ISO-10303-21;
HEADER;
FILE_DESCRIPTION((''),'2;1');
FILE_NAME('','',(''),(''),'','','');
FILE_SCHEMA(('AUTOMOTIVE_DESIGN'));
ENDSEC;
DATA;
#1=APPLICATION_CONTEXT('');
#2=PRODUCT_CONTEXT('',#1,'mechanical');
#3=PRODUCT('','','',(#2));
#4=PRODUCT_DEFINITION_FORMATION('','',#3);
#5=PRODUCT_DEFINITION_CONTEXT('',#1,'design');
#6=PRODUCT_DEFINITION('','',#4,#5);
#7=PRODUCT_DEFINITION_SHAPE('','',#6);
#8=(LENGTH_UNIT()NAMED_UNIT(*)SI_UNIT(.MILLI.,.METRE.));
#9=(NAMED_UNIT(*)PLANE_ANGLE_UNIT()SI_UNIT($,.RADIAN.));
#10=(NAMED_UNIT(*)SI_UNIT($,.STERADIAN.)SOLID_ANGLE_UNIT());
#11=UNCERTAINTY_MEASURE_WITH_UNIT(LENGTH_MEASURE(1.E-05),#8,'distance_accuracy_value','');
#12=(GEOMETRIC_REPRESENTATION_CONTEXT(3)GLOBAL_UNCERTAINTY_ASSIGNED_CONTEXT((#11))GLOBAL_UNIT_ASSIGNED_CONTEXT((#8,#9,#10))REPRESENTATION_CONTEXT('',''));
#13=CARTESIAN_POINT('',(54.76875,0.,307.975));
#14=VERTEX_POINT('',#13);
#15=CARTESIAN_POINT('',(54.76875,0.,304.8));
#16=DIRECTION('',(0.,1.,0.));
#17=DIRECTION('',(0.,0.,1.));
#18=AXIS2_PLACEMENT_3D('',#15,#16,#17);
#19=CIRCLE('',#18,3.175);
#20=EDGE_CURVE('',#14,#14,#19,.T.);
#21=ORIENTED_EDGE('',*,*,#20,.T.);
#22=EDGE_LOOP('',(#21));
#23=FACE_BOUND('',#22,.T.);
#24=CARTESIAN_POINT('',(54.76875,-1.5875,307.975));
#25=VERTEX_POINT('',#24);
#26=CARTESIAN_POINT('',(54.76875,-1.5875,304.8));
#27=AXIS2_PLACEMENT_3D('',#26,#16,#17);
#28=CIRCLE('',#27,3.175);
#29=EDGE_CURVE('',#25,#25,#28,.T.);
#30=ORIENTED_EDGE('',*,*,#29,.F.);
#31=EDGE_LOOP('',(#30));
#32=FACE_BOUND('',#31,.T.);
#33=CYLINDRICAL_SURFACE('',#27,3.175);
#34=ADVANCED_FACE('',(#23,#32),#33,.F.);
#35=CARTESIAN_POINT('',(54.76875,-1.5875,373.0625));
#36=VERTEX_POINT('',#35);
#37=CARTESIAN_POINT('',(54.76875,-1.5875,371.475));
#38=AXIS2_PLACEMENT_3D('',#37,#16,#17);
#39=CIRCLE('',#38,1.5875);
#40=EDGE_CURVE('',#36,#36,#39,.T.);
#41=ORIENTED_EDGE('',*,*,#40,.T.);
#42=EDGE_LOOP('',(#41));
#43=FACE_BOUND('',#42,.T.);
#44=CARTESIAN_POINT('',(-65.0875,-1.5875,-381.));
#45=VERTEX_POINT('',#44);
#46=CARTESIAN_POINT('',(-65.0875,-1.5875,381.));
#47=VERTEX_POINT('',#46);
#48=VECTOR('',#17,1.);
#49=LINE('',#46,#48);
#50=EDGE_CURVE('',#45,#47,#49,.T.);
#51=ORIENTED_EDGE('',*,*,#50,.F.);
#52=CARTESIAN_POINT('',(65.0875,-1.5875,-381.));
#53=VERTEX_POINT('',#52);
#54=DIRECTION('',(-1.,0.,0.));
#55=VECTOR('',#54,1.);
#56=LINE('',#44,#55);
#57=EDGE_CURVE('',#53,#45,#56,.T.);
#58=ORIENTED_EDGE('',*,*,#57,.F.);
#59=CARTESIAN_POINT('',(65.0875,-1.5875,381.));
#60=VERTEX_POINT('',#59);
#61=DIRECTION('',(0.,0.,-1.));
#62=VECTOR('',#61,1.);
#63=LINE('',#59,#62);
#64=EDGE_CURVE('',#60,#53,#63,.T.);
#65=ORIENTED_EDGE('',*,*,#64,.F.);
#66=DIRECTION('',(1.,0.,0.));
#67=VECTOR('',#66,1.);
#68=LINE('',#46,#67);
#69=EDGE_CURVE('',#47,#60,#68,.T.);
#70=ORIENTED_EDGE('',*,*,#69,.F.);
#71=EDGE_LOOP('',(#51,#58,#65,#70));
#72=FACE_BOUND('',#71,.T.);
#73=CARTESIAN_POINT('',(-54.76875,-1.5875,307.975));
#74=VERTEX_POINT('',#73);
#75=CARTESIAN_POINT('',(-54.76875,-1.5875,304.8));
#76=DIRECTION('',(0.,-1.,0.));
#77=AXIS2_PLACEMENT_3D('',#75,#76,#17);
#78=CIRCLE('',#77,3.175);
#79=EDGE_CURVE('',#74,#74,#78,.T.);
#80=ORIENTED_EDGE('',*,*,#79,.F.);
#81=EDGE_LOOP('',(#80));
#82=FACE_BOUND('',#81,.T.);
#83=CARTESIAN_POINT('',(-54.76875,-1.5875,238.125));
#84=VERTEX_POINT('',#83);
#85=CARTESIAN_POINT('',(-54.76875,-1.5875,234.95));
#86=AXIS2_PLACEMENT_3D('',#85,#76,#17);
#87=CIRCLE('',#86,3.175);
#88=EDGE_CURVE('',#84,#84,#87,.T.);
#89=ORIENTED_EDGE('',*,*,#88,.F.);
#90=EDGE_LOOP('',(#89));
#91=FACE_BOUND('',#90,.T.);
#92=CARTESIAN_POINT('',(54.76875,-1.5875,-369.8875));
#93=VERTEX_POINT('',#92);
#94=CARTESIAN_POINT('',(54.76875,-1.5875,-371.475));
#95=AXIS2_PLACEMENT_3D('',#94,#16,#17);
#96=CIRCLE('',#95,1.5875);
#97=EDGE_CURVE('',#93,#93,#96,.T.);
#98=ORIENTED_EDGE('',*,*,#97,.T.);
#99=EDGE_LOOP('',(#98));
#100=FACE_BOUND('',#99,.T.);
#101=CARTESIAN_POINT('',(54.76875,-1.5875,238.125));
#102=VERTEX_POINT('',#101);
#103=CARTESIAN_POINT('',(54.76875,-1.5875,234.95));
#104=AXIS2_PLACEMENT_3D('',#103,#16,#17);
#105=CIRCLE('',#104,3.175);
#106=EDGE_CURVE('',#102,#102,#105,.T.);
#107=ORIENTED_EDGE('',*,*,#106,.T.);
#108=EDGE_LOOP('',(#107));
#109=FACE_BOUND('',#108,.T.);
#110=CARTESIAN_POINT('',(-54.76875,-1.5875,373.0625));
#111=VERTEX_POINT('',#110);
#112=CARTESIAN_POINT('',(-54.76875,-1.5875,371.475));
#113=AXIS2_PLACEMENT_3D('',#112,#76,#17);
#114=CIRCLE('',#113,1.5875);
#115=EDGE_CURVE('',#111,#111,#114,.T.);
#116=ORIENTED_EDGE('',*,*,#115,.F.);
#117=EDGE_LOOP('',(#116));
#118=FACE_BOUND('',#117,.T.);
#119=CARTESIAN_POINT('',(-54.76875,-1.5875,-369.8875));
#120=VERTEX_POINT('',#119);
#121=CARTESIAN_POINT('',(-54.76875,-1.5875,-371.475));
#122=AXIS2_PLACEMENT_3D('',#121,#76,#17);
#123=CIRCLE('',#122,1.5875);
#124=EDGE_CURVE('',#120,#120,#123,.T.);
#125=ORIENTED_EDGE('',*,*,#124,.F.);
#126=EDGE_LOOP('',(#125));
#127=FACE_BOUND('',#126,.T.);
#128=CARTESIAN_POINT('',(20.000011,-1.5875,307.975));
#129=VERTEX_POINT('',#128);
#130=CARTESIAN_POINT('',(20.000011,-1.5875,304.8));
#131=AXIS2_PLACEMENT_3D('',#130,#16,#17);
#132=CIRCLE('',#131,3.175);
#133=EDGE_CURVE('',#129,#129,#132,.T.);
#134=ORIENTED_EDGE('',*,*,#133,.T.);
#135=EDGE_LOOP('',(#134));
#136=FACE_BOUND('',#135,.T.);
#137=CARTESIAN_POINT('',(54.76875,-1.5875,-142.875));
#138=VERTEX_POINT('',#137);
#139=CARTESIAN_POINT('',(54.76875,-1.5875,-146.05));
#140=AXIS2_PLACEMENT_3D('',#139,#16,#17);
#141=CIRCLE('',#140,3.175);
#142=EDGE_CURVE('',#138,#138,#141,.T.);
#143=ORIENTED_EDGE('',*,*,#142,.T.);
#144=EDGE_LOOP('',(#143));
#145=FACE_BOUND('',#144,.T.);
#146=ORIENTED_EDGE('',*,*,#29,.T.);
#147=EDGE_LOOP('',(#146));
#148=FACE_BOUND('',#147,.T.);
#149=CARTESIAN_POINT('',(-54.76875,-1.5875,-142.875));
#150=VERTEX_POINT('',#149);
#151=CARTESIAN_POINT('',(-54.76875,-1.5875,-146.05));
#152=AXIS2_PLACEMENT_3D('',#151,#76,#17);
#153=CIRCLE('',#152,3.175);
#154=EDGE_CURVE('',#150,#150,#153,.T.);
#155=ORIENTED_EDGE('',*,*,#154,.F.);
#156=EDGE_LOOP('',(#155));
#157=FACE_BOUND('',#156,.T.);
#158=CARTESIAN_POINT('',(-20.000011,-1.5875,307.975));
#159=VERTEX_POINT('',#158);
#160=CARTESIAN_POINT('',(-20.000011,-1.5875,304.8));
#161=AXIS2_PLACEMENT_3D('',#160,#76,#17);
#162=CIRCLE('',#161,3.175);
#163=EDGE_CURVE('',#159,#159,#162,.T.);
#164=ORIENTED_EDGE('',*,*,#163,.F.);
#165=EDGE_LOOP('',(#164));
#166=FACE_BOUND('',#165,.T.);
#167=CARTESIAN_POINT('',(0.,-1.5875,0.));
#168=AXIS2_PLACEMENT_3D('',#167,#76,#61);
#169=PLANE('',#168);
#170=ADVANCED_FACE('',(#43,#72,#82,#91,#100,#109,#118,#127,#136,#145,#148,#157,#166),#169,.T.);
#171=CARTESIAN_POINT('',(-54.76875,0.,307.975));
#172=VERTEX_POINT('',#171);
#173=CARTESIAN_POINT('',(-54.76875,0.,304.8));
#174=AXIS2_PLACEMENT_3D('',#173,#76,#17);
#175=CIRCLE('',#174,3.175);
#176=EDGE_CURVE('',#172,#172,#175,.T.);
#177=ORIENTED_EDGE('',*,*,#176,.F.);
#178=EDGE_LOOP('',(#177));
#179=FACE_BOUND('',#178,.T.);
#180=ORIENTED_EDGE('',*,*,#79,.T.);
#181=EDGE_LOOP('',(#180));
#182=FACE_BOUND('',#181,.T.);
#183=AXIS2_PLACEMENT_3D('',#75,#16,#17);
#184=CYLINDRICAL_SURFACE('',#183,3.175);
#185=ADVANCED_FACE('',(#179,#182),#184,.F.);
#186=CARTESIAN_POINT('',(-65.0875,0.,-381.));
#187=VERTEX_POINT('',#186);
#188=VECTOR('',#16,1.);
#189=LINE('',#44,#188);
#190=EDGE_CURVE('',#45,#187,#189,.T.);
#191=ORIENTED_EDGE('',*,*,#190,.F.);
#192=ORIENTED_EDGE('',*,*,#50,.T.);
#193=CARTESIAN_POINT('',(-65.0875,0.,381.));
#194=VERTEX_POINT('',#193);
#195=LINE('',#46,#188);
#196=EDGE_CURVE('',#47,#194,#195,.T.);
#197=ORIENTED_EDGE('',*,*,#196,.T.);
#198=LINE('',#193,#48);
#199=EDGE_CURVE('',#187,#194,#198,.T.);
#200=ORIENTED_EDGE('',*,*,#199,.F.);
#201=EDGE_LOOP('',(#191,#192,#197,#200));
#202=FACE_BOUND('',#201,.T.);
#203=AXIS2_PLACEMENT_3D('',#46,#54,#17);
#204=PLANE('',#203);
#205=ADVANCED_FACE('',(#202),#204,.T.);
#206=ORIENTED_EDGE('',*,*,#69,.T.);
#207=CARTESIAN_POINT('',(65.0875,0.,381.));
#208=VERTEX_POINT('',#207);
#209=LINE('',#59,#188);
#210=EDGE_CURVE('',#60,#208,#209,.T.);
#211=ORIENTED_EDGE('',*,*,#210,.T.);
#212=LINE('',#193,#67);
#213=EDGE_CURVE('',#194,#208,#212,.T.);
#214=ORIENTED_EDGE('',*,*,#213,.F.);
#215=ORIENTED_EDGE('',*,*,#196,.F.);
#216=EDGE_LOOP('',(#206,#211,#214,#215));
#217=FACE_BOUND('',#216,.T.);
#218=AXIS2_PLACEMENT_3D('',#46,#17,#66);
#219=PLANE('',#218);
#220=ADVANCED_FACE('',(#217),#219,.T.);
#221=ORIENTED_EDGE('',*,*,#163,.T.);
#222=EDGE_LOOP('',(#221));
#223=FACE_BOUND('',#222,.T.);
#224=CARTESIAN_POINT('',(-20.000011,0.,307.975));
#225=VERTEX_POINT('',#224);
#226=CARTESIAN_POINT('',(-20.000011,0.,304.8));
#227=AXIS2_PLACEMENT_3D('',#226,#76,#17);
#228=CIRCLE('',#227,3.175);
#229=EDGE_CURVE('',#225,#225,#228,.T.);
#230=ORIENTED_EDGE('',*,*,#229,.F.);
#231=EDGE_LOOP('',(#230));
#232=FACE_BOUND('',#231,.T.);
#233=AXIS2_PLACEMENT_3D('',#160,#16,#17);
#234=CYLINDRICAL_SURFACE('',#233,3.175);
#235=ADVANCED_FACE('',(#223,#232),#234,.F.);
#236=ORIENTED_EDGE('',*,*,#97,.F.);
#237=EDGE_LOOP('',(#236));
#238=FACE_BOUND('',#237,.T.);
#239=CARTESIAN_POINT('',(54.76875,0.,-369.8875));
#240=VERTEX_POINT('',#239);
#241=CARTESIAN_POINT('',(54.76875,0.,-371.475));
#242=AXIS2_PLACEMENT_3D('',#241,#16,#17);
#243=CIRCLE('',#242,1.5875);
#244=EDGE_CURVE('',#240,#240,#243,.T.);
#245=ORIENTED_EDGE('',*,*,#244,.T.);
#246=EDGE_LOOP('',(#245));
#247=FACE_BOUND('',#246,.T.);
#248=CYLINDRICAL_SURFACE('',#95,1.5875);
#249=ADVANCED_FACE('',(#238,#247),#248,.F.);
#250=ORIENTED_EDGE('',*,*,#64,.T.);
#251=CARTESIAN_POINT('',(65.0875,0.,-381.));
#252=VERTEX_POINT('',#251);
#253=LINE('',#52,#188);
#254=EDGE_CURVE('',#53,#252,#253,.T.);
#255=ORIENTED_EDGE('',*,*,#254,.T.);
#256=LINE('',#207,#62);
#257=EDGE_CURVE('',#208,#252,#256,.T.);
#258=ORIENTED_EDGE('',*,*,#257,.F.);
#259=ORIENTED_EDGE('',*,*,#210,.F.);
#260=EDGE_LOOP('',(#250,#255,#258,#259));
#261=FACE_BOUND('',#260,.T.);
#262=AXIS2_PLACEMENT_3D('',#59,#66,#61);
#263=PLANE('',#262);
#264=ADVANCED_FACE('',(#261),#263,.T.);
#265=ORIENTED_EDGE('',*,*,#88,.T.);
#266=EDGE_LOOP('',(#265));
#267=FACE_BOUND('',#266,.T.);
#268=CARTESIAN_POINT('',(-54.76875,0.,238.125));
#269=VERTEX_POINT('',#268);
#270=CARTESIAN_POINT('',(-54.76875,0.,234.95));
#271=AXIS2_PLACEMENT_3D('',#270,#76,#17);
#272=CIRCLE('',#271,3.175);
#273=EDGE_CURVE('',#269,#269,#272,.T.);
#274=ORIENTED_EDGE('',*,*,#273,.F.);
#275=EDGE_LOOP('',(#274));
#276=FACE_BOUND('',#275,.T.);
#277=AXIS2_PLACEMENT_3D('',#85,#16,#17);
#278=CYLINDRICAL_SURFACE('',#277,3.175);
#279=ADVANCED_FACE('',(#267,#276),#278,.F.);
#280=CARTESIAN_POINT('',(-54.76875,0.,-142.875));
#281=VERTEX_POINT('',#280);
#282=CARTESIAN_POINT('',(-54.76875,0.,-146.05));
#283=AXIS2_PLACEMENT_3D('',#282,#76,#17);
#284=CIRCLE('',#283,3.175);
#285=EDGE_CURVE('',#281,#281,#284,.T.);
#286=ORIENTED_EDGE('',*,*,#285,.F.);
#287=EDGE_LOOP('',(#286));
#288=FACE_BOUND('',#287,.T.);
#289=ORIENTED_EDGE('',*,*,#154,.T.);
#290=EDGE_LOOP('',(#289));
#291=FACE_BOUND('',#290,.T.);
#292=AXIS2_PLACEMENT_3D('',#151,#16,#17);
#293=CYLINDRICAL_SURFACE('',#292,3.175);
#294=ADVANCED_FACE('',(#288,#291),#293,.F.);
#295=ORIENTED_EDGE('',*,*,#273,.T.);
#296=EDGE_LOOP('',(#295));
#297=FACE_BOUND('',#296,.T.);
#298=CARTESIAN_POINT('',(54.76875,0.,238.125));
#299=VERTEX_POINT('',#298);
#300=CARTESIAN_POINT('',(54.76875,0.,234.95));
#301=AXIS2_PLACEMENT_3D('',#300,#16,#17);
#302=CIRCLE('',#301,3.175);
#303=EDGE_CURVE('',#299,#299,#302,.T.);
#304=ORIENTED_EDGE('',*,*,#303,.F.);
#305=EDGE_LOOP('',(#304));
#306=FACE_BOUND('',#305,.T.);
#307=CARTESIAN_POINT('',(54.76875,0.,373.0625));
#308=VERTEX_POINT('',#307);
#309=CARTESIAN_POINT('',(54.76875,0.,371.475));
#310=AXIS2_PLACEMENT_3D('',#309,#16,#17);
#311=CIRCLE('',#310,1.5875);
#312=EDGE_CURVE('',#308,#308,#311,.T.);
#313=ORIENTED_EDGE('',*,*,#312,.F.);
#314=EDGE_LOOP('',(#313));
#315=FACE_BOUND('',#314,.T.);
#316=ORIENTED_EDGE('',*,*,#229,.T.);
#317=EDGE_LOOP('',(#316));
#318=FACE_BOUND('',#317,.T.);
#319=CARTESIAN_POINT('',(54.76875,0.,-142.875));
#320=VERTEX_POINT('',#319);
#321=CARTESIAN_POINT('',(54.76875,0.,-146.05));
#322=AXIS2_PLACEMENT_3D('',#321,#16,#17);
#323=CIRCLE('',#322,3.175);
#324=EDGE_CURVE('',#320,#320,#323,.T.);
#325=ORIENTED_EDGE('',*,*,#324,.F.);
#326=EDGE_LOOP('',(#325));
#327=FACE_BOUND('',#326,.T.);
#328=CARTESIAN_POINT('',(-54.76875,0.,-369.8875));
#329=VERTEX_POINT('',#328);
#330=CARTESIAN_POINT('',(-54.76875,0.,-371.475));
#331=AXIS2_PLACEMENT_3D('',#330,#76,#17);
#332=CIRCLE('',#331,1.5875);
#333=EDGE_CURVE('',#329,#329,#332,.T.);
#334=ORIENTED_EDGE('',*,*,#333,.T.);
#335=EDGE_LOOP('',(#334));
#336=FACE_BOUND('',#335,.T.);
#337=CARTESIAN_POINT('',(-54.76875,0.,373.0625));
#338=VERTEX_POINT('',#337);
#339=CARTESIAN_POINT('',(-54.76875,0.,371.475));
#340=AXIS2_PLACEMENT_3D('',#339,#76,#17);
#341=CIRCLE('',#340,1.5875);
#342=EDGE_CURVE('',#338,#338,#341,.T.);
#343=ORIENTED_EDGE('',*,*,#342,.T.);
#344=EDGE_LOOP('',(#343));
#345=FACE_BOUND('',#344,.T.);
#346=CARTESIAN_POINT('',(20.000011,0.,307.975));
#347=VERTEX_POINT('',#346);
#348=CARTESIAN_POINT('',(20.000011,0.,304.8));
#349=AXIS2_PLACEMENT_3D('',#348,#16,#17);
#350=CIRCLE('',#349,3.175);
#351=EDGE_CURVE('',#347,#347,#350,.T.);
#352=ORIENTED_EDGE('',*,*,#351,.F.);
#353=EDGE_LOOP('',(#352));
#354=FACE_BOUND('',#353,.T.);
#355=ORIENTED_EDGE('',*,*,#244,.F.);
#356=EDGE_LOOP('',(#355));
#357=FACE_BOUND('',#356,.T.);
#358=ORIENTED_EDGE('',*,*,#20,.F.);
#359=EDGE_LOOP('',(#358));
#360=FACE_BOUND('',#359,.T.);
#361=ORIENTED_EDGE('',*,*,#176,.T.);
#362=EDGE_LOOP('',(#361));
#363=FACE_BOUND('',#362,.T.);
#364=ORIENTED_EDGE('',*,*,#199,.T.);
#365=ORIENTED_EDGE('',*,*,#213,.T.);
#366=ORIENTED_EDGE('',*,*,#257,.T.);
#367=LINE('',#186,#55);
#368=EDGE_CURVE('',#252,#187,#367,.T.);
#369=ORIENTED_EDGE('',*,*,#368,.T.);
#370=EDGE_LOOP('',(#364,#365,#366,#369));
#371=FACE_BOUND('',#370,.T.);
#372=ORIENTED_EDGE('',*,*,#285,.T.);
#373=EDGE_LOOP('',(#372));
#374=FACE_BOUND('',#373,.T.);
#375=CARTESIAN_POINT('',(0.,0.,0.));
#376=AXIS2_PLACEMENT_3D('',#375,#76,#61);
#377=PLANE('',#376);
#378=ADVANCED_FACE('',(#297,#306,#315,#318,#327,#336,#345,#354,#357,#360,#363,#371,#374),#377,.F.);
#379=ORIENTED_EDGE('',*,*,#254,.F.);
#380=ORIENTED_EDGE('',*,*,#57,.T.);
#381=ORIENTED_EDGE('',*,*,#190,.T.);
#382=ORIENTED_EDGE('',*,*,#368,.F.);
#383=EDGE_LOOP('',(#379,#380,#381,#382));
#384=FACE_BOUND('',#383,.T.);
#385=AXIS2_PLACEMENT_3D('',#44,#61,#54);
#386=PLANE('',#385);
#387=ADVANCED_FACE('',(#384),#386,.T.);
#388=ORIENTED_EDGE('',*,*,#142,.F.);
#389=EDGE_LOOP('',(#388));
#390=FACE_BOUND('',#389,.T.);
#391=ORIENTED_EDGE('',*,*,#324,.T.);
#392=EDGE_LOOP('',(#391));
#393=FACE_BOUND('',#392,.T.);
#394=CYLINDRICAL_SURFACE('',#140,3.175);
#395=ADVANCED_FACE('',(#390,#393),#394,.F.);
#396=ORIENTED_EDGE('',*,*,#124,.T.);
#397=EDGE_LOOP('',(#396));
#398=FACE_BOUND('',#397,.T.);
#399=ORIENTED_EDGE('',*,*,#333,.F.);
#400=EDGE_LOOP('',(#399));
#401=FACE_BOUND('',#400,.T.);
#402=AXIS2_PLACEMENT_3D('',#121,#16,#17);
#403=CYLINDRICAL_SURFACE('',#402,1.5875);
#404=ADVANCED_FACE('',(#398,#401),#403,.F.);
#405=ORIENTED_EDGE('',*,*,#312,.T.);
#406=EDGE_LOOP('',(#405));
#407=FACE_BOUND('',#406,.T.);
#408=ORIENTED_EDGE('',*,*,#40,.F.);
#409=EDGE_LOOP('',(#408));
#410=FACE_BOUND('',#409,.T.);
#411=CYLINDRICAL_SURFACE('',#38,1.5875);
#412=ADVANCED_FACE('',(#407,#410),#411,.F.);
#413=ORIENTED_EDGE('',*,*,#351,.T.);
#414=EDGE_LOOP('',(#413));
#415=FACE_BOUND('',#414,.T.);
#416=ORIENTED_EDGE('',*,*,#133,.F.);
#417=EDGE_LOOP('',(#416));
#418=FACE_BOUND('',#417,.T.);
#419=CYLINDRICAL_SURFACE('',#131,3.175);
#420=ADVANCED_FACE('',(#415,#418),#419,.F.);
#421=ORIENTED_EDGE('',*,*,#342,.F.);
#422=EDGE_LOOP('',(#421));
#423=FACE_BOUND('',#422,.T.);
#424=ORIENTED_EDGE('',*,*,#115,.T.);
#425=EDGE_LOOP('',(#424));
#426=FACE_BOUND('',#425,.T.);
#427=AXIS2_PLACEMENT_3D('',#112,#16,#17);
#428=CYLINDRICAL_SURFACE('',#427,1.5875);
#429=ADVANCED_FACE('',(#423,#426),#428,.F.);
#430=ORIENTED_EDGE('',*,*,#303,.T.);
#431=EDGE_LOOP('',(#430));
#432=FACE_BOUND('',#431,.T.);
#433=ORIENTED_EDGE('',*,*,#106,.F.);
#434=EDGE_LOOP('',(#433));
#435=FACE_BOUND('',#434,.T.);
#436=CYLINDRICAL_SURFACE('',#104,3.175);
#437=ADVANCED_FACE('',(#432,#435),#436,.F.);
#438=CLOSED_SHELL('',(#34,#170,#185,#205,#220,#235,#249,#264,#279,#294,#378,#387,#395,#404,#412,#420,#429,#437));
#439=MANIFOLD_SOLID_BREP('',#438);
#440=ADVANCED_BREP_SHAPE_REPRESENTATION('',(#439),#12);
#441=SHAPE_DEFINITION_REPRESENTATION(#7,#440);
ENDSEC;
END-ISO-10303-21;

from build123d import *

# Parameters (mm, degrees)
SKETCH1_W           = 130.175
SKETCH1_H           = 762
BOSS_EXTRUDE1_DEPTH = 1.5875
SKETCH2_R           = 1.5875
SKETCH2_R_2         = 3.175
CUT_EXTRUDE2_DEPTH  = 387.522836082


with BuildPart() as part:
    # Sketch1 → Boss-Extrude1 (new body)
    with BuildSketch(Plane(origin=(0, 0, 0), x_dir=(1, 0, 0), z_dir=(0, 1, 0))):
        Rectangle(SKETCH1_W, SKETCH1_H)
    extrude(amount=-BOSS_EXTRUDE1_DEPTH)

    # Sketch2 → Cut-Extrude2 (cut, through all)
    with BuildSketch(Plane(origin=(0, 0, 0), x_dir=(1, 0, 0), z_dir=(0, 1, 0))):
        with Locations(Location((54.76875, -371.475, 0), (0, 0, 270))):
            Circle(SKETCH2_R)
        with Locations(Location((54.76875, -234.95, 0), (0, 0, 270))):
            Circle(SKETCH2_R_2)
        with Locations(Location((54.76875, 371.475, 0), (0, 0, 270))):
            Circle(SKETCH2_R)
        with Locations(Location((54.76875, 146.05, 0), (0, 0, 270))):
            Circle(SKETCH2_R_2)
        with Locations(Location((54.76875, -304.8, 0), (0, 0, 270))):
            Circle(SKETCH2_R_2)
        with Locations(Location((20.0000108, -304.8, 0), (0, 0, 270))):
            Circle(SKETCH2_R_2)
    cut_extrude2 = extrude(amount=-CUT_EXTRUDE2_DEPTH, mode=Mode.SUBTRACT)

    # Mirror2: Cut-Extrude2 across plane
    add(cut_extrude2.mirror(Plane(origin=(0, 0, 0), x_dir=(0, 0, 1), z_dir=(1, 0, 0))), mode=Mode.SUBTRACT)


solid = part.part
